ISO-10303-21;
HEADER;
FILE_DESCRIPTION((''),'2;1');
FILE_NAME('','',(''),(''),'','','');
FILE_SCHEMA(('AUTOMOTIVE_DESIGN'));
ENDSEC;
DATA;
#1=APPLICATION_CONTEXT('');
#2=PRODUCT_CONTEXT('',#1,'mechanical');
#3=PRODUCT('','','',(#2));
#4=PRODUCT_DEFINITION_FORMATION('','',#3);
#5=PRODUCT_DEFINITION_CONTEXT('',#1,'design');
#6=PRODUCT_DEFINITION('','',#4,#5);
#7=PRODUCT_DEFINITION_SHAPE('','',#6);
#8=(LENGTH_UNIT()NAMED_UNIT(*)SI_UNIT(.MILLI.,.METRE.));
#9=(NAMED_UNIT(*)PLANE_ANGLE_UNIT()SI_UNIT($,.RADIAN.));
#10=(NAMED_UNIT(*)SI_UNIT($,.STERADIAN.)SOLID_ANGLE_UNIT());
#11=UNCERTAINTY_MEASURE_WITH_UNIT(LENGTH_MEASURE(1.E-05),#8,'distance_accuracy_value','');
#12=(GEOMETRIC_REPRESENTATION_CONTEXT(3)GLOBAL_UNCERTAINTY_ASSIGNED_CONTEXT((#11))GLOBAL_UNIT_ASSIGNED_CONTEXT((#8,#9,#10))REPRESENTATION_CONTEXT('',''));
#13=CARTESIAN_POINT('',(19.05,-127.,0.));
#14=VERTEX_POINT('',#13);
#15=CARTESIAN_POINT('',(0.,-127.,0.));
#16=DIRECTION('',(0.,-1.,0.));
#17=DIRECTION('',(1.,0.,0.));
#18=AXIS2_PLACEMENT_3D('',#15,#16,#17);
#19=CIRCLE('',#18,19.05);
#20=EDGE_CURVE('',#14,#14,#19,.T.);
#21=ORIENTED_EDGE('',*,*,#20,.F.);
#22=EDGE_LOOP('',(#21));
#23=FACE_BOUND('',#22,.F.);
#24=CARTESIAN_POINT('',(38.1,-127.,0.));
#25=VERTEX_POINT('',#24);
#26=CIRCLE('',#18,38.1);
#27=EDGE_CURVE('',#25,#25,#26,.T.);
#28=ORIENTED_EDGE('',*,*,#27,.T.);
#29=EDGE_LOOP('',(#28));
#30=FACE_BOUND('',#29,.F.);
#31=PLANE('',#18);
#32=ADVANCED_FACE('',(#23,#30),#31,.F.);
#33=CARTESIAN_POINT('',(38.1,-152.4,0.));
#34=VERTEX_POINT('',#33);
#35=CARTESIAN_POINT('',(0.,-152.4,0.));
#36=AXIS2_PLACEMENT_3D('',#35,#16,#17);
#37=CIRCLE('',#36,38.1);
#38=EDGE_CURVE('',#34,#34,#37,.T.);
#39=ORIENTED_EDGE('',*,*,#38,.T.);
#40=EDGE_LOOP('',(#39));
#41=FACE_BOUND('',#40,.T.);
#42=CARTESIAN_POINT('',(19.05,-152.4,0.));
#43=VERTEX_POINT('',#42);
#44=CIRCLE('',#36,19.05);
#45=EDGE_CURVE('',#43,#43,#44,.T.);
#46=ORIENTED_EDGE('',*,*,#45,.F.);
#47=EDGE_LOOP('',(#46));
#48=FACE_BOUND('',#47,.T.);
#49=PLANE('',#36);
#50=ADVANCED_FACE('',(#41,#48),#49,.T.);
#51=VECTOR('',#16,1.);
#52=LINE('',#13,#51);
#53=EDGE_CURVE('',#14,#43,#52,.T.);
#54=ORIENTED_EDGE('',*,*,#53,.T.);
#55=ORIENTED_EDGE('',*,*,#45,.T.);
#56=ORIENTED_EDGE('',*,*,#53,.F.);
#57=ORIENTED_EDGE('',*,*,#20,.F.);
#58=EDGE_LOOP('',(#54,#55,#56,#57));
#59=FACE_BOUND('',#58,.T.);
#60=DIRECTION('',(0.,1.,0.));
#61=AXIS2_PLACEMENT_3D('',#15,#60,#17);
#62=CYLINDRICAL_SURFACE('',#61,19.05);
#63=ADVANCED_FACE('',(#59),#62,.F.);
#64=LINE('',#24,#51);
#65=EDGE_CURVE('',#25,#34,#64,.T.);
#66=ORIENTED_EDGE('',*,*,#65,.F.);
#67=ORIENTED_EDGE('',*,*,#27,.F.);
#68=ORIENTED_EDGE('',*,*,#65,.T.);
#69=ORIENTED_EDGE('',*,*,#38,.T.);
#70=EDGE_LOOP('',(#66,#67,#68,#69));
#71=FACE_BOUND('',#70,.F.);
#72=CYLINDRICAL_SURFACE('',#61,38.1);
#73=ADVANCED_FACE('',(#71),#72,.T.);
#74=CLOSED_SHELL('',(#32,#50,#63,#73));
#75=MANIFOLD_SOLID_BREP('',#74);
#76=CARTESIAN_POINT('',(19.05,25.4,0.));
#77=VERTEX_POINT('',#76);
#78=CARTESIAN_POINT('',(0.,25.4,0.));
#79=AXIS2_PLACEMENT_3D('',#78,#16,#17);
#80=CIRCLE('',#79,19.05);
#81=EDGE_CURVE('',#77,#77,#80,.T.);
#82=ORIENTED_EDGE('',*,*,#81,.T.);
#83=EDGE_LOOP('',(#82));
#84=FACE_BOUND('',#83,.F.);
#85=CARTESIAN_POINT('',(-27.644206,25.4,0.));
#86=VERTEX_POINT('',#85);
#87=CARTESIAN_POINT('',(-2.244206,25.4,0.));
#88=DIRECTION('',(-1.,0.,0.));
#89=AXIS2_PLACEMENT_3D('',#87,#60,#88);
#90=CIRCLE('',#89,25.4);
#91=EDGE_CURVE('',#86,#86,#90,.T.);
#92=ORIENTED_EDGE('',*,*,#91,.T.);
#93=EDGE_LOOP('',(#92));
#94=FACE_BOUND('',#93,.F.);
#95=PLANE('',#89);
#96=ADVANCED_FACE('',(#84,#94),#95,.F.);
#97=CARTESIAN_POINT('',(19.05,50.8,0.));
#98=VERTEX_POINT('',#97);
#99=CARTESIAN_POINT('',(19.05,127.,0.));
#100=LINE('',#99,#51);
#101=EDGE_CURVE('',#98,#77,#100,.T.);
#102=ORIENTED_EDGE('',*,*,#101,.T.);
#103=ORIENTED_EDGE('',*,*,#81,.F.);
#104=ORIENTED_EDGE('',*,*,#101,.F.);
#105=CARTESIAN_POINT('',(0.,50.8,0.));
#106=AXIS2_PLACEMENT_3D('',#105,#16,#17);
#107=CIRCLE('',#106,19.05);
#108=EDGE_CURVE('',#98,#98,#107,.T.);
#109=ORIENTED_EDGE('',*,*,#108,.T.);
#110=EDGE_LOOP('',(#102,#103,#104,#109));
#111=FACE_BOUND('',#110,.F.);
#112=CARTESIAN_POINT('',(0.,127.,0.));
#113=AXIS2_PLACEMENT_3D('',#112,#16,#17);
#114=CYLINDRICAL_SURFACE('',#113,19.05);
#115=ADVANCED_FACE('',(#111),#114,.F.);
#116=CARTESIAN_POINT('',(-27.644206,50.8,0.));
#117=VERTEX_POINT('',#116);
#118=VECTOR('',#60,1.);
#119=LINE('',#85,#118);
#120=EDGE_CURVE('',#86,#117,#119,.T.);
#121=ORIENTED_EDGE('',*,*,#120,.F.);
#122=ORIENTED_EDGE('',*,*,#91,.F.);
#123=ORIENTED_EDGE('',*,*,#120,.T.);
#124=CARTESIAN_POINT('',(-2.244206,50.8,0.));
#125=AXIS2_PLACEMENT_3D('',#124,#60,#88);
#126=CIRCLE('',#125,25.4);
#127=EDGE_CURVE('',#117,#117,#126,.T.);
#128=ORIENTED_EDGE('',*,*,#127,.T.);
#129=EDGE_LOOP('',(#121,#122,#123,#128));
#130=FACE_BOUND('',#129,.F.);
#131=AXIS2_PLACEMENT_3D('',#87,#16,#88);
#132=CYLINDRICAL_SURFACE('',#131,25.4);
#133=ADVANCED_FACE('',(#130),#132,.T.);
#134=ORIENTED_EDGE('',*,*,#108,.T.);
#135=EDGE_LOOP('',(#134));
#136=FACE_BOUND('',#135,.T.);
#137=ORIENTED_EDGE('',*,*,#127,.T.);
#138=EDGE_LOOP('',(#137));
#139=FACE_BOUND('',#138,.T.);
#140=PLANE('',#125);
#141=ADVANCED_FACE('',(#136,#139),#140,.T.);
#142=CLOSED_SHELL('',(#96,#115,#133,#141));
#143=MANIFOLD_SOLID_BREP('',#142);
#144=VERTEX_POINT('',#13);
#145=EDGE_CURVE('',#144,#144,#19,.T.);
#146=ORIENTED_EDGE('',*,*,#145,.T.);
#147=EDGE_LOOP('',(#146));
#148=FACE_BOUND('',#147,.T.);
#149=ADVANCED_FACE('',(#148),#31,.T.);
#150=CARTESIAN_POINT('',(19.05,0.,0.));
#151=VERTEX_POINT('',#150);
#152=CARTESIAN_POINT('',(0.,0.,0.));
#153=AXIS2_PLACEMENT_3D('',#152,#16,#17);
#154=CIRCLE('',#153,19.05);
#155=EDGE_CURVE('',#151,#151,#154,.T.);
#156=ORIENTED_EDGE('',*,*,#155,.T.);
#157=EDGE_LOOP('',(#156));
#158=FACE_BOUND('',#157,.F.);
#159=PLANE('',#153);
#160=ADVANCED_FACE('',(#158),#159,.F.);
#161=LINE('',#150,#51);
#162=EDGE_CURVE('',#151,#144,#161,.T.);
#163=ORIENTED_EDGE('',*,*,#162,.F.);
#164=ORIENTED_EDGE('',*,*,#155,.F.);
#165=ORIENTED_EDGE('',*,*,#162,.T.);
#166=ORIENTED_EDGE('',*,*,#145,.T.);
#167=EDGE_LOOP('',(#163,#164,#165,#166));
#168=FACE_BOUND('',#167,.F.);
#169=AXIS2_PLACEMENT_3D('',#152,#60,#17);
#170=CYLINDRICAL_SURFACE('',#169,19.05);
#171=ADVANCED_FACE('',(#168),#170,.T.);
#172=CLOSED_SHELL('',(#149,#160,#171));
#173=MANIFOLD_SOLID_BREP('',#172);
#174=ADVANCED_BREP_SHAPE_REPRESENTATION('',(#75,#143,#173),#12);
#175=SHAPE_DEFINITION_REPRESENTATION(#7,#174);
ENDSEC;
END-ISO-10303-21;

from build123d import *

# Parameters (mm, degrees)
F0_R     = 19.05
F1_DEPTH = 127
F3_R     = 25.4
F4_DEPTH = 25.4
F6_D     = 38.1
F7_R     = 38.1
F7_R_2   = 19.05
F8_DEPTH = 25.4


with BuildPart() as f1:
    # F0 (on Front) → F1 (new body)
    with BuildSketch(Plane.XZ):
        Circle(F0_R)
    extrude(amount=F1_DEPTH)


with BuildPart() as f4:
    # F3 (on offset) → F4 (new body)
    with BuildSketch(Plane(origin=(0, 25.4, 0), x_dir=(-1, 0, 0), z_dir=(0, 1, 0))):
        with Locations((2.2442061454, 0)):
            Circle(F3_R)
    extrude(amount=F4_DEPTH)

    # F6 (through all)
    with Locations(Plane(origin=(0, 50.8, 0), x_dir=(-1, 0, 0), z_dir=(0, 1, 0))):
        with Locations((0, 0)):
            Hole(F6_D / 2)


with BuildPart() as f8:
    # F7 (on face) → F8 (new body)
    with BuildSketch(Plane.XZ.offset(127)):
        Circle(F7_R)
        Circle(F7_R_2, mode=Mode.SUBTRACT)
    extrude(amount=F8_DEPTH)


solid = Compound([f1.part, f4.part, f8.part])
